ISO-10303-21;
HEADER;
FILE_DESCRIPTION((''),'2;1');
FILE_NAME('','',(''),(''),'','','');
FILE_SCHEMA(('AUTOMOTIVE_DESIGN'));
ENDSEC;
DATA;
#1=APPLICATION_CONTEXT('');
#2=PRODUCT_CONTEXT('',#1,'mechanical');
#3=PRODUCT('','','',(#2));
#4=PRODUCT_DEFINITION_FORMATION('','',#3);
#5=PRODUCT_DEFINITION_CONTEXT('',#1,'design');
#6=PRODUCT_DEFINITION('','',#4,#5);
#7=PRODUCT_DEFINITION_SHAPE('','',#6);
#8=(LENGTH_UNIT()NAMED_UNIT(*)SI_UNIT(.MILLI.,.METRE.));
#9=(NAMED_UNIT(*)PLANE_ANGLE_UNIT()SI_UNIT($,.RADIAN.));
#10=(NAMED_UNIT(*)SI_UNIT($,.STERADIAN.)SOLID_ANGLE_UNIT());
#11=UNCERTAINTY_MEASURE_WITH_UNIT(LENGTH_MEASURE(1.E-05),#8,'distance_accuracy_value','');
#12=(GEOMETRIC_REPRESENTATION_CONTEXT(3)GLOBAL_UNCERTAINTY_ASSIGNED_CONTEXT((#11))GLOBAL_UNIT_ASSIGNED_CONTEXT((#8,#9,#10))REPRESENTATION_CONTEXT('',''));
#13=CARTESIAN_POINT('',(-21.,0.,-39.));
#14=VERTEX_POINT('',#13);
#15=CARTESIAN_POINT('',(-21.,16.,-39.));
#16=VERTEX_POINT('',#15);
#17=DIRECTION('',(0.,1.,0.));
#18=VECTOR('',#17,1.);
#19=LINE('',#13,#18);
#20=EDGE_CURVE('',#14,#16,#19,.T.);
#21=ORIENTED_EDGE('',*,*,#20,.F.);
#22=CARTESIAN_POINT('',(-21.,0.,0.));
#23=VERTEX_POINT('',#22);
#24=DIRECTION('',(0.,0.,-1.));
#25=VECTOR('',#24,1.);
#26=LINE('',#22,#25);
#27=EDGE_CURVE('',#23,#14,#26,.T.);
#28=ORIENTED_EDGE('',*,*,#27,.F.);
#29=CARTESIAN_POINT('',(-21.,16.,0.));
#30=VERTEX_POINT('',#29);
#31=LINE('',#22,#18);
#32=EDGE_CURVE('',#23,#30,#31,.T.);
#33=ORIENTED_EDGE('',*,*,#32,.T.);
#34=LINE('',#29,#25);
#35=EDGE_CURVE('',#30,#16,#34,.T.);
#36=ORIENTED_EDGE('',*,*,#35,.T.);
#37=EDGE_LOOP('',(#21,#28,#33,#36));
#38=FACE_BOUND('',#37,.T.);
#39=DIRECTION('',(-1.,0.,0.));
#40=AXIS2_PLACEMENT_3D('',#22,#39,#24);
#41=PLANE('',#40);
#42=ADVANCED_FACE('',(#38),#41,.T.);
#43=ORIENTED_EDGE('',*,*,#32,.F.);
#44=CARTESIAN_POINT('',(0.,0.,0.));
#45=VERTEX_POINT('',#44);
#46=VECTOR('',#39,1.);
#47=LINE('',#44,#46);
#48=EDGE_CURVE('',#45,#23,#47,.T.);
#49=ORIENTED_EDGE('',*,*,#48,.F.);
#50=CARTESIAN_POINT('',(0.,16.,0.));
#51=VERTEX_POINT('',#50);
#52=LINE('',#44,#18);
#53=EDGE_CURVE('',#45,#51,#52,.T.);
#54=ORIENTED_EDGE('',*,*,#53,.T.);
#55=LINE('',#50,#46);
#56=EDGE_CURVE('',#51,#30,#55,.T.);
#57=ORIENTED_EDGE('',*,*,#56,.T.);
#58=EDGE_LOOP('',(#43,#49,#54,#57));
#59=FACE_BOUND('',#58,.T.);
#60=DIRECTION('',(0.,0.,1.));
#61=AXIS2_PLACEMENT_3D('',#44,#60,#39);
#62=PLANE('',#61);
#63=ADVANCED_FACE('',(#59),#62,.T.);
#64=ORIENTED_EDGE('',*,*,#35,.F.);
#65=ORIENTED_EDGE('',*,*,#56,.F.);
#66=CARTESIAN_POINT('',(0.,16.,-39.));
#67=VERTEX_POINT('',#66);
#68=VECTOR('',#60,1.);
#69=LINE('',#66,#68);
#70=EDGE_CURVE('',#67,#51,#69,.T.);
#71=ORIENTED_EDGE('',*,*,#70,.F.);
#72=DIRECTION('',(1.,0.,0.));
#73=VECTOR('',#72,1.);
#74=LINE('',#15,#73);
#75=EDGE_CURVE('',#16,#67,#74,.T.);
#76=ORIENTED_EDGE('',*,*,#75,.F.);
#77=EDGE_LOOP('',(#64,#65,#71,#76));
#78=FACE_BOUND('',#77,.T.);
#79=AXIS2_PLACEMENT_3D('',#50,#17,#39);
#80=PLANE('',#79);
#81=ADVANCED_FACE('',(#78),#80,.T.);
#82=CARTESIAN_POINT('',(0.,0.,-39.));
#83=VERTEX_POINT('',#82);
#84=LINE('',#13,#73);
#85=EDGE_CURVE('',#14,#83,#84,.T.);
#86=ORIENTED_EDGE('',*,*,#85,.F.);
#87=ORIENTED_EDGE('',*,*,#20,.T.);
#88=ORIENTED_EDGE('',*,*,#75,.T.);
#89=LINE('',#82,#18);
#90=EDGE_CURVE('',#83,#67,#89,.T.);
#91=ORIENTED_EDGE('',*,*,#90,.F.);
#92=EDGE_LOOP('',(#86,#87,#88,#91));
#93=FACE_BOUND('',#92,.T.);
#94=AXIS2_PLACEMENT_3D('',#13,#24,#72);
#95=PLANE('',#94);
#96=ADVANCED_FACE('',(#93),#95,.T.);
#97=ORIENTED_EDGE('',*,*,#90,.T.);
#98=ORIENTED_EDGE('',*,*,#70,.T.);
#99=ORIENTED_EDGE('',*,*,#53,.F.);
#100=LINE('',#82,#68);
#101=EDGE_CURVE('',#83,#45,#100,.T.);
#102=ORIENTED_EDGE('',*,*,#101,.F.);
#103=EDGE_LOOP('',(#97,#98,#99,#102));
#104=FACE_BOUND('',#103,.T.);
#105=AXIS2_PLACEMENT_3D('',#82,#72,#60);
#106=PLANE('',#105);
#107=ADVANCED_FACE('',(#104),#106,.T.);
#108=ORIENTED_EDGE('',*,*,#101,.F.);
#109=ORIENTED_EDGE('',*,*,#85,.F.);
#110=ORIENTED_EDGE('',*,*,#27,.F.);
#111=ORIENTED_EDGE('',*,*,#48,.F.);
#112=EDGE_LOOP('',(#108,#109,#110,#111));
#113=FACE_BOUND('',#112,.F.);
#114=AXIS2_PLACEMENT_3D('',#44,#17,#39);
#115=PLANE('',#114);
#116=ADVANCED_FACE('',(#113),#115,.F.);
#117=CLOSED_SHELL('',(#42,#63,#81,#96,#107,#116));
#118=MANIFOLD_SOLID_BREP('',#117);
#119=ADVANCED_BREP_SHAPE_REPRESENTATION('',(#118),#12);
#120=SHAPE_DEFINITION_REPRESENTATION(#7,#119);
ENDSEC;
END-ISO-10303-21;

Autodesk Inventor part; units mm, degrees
ref_plane "YZ Plane" through (0, 0, 0) normal (1, 0, 0) x (0, 1, 0)
ref_plane "XZ Plane" through (0, 0, 0) normal (0, 1, 0) x (-1, 0, 0)
ref_plane "XY Plane" through (0, 0, 0) normal (0, 0, 1) x (1, 0, 0)
sketch "Boceto1" plane through (0, 0, 0) normal (0, 1, 0) x (-1, 0, 0)
  line L0 (0, 0) -> (21, 0)
  line L1 (21, 0) -> (21, -39)
  line L2 (21, -39) -> (0, -39)
  line L3 (0, -39) -> (0, 0)
  dimension "d3" = 21
  dimension "d4" = 39
extrude "Extrusión1" add sketch "Boceto1" along normal blind 16
properties part number "Supongamos_que_es_un_Servo"
